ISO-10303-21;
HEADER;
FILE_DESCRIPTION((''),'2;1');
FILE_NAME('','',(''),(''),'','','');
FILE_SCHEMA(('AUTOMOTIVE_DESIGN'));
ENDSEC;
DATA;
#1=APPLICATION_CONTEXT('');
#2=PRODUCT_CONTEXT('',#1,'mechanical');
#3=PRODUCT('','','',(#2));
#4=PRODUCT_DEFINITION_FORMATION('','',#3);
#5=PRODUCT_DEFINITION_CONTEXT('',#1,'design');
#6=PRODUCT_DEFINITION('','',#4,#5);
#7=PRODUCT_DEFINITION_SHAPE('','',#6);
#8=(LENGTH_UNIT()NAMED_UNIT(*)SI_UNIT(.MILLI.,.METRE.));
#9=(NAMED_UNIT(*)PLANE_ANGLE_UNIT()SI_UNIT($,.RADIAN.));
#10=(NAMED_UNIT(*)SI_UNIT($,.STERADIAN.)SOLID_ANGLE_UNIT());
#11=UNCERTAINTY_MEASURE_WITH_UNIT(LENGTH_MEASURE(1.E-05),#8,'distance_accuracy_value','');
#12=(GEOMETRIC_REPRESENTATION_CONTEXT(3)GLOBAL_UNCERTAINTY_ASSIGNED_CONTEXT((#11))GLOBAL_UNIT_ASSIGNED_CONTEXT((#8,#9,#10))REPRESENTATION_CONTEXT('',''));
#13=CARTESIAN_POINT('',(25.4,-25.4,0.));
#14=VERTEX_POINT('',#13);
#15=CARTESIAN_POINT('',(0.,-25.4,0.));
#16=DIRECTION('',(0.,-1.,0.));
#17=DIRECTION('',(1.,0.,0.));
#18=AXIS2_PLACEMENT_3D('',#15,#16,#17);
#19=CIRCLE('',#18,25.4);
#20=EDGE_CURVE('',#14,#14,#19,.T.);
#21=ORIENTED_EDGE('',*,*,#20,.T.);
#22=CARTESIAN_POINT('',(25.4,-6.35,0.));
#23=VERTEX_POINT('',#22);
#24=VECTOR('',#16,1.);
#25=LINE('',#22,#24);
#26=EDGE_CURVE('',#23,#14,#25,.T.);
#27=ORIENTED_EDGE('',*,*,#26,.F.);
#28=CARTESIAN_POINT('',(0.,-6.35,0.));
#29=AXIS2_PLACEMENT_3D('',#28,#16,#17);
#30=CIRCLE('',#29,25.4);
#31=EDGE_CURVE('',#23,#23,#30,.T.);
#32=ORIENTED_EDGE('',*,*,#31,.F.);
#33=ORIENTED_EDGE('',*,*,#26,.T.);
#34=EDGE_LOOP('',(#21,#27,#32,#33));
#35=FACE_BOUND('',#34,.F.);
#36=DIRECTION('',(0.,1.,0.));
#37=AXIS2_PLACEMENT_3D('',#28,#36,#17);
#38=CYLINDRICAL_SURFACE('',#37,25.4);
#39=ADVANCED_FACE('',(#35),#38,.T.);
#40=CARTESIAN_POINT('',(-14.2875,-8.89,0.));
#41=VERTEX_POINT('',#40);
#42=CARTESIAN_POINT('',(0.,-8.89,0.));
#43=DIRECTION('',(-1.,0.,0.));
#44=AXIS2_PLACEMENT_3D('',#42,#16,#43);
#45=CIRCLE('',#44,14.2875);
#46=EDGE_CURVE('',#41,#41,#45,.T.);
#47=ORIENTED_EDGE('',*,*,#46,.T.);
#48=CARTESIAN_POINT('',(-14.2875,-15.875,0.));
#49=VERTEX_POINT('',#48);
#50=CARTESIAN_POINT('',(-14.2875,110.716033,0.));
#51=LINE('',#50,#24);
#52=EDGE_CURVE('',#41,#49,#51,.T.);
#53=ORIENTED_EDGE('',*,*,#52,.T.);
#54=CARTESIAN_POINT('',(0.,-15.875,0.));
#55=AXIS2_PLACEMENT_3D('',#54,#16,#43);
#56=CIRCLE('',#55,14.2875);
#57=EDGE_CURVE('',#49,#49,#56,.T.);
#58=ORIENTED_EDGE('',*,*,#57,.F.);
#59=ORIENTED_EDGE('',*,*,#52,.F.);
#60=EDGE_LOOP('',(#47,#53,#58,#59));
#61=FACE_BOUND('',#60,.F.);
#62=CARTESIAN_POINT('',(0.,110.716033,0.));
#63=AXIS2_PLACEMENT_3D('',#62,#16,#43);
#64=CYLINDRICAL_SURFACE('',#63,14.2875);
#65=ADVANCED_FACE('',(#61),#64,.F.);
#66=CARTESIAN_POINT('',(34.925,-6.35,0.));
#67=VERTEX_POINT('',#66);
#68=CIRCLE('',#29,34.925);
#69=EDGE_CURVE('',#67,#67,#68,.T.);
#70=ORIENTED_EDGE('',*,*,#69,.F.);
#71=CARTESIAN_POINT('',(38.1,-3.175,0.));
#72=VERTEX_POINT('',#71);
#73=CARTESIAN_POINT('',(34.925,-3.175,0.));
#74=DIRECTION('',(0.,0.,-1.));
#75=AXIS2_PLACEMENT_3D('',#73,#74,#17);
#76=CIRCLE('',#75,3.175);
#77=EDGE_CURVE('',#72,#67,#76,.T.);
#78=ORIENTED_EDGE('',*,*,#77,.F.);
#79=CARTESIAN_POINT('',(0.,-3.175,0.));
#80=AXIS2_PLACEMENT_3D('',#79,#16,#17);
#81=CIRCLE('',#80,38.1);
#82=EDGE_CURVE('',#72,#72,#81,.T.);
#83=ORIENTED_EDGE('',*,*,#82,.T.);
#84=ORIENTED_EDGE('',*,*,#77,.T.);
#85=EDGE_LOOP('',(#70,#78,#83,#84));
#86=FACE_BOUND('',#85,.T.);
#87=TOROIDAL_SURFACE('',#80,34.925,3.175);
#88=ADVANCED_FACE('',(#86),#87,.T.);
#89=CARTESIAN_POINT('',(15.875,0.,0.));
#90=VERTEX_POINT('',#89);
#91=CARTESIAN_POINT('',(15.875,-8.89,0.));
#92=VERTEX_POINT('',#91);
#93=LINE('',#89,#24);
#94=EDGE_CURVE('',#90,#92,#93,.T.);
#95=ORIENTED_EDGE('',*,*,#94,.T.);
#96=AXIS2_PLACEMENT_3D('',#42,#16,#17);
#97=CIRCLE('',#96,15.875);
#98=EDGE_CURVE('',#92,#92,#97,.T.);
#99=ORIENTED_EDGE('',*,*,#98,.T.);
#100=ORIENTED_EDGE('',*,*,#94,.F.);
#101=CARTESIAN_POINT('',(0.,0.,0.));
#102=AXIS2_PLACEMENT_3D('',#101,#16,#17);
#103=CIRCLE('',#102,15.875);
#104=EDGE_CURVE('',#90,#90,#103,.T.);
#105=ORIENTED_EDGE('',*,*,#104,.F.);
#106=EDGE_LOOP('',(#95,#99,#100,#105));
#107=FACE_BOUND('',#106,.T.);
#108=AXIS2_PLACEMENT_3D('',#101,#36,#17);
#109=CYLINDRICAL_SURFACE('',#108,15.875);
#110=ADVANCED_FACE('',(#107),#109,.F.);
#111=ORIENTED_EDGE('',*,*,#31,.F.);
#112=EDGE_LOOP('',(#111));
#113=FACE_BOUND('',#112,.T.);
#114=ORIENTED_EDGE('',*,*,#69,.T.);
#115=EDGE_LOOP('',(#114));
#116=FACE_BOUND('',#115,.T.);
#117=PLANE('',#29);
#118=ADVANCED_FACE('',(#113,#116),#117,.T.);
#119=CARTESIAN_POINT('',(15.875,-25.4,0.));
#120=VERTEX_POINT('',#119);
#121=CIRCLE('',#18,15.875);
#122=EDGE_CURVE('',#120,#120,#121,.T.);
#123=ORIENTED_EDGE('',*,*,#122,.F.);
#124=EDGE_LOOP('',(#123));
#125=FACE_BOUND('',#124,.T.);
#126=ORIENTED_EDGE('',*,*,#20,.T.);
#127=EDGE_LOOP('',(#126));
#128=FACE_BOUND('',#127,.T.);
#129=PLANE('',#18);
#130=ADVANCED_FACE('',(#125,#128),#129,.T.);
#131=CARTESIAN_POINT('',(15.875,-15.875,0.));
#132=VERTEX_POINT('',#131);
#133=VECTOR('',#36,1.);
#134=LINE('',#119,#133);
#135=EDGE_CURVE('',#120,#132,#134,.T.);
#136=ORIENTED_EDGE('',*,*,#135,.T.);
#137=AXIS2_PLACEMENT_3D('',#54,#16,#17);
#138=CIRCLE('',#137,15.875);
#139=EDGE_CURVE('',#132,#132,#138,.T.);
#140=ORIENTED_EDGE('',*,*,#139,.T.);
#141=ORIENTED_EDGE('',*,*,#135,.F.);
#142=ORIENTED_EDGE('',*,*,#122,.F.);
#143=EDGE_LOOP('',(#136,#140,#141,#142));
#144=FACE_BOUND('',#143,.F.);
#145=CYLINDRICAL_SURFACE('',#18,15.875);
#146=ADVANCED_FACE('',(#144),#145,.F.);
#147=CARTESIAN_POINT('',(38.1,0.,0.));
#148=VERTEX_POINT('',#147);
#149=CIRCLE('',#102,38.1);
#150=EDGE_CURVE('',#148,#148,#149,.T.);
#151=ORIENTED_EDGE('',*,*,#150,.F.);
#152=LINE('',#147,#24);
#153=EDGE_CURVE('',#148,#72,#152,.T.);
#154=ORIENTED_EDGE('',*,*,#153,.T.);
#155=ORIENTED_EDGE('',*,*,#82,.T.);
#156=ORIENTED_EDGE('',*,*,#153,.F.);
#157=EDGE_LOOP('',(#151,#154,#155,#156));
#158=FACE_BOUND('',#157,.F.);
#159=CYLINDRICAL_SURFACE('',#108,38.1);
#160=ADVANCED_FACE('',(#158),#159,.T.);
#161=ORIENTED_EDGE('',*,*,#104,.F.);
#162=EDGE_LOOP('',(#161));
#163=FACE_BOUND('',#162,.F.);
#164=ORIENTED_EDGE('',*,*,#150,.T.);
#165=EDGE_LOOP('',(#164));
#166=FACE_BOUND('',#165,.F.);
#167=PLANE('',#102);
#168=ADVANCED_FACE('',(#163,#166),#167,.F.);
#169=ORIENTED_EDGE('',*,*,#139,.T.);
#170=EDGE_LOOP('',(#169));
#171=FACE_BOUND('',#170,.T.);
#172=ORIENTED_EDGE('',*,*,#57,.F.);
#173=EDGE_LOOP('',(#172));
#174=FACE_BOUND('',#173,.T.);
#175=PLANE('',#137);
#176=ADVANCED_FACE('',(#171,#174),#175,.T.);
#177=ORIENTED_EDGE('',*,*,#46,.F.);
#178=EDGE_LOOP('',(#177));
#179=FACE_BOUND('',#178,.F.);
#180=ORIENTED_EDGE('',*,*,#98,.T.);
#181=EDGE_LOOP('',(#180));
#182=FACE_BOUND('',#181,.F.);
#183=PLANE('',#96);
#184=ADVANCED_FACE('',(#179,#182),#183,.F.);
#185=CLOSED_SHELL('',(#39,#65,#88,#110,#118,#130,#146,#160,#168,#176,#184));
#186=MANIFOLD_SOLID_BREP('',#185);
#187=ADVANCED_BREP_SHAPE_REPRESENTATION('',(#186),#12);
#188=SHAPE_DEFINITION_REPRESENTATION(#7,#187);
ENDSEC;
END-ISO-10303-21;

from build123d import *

# Parameters (mm, degrees)
F0_R     = 38.1
F1_DEPTH = 6.35
F2_R     = 25.4
F3_DEPTH = 19.05
F5_D     = 28.575
F6_R     = 15.875
F7_DEPTH = 9.525
F8_R     = 3.175
F4_R     = 15.875
F9_DEPTH = 8.89


with BuildPart() as f1:
    # F0 (on Front) → F1 (new body)
    with BuildSketch(Plane.XZ):
        Circle(F0_R)
    extrude(amount=F1_DEPTH)

    # F2 (on face) → F3 (join)
    with BuildSketch(Plane.XZ.offset(6.35)):
        Circle(F2_R)
    extrude(amount=F3_DEPTH)

    # F5 (through all)
    with Locations(Plane(origin=(0, 0, 0), x_dir=(1, 0, 0), z_dir=(0, 1, 0))):
        with Locations((0, 0)):
            Hole(F5_D / 2)

    # F6 (on face) → F7 (cut)
    with BuildSketch(Plane.XZ.offset(25.4)):
        Circle(F6_R)
    extrude(amount=-F7_DEPTH, mode=Mode.SUBTRACT)

    # F8
    f8_edges = [f1.edges().sort_by_distance(p)[0] for p in [
        (-38.1, -6.35, 0),
    ]]
    fillet(f8_edges, radius=F8_R)

    # F4 (on Front) → F9 (cut)
    with BuildSketch(Plane.XZ):
        Circle(F4_R)
    extrude(amount=F9_DEPTH, mode=Mode.SUBTRACT)


solid = f1.part
